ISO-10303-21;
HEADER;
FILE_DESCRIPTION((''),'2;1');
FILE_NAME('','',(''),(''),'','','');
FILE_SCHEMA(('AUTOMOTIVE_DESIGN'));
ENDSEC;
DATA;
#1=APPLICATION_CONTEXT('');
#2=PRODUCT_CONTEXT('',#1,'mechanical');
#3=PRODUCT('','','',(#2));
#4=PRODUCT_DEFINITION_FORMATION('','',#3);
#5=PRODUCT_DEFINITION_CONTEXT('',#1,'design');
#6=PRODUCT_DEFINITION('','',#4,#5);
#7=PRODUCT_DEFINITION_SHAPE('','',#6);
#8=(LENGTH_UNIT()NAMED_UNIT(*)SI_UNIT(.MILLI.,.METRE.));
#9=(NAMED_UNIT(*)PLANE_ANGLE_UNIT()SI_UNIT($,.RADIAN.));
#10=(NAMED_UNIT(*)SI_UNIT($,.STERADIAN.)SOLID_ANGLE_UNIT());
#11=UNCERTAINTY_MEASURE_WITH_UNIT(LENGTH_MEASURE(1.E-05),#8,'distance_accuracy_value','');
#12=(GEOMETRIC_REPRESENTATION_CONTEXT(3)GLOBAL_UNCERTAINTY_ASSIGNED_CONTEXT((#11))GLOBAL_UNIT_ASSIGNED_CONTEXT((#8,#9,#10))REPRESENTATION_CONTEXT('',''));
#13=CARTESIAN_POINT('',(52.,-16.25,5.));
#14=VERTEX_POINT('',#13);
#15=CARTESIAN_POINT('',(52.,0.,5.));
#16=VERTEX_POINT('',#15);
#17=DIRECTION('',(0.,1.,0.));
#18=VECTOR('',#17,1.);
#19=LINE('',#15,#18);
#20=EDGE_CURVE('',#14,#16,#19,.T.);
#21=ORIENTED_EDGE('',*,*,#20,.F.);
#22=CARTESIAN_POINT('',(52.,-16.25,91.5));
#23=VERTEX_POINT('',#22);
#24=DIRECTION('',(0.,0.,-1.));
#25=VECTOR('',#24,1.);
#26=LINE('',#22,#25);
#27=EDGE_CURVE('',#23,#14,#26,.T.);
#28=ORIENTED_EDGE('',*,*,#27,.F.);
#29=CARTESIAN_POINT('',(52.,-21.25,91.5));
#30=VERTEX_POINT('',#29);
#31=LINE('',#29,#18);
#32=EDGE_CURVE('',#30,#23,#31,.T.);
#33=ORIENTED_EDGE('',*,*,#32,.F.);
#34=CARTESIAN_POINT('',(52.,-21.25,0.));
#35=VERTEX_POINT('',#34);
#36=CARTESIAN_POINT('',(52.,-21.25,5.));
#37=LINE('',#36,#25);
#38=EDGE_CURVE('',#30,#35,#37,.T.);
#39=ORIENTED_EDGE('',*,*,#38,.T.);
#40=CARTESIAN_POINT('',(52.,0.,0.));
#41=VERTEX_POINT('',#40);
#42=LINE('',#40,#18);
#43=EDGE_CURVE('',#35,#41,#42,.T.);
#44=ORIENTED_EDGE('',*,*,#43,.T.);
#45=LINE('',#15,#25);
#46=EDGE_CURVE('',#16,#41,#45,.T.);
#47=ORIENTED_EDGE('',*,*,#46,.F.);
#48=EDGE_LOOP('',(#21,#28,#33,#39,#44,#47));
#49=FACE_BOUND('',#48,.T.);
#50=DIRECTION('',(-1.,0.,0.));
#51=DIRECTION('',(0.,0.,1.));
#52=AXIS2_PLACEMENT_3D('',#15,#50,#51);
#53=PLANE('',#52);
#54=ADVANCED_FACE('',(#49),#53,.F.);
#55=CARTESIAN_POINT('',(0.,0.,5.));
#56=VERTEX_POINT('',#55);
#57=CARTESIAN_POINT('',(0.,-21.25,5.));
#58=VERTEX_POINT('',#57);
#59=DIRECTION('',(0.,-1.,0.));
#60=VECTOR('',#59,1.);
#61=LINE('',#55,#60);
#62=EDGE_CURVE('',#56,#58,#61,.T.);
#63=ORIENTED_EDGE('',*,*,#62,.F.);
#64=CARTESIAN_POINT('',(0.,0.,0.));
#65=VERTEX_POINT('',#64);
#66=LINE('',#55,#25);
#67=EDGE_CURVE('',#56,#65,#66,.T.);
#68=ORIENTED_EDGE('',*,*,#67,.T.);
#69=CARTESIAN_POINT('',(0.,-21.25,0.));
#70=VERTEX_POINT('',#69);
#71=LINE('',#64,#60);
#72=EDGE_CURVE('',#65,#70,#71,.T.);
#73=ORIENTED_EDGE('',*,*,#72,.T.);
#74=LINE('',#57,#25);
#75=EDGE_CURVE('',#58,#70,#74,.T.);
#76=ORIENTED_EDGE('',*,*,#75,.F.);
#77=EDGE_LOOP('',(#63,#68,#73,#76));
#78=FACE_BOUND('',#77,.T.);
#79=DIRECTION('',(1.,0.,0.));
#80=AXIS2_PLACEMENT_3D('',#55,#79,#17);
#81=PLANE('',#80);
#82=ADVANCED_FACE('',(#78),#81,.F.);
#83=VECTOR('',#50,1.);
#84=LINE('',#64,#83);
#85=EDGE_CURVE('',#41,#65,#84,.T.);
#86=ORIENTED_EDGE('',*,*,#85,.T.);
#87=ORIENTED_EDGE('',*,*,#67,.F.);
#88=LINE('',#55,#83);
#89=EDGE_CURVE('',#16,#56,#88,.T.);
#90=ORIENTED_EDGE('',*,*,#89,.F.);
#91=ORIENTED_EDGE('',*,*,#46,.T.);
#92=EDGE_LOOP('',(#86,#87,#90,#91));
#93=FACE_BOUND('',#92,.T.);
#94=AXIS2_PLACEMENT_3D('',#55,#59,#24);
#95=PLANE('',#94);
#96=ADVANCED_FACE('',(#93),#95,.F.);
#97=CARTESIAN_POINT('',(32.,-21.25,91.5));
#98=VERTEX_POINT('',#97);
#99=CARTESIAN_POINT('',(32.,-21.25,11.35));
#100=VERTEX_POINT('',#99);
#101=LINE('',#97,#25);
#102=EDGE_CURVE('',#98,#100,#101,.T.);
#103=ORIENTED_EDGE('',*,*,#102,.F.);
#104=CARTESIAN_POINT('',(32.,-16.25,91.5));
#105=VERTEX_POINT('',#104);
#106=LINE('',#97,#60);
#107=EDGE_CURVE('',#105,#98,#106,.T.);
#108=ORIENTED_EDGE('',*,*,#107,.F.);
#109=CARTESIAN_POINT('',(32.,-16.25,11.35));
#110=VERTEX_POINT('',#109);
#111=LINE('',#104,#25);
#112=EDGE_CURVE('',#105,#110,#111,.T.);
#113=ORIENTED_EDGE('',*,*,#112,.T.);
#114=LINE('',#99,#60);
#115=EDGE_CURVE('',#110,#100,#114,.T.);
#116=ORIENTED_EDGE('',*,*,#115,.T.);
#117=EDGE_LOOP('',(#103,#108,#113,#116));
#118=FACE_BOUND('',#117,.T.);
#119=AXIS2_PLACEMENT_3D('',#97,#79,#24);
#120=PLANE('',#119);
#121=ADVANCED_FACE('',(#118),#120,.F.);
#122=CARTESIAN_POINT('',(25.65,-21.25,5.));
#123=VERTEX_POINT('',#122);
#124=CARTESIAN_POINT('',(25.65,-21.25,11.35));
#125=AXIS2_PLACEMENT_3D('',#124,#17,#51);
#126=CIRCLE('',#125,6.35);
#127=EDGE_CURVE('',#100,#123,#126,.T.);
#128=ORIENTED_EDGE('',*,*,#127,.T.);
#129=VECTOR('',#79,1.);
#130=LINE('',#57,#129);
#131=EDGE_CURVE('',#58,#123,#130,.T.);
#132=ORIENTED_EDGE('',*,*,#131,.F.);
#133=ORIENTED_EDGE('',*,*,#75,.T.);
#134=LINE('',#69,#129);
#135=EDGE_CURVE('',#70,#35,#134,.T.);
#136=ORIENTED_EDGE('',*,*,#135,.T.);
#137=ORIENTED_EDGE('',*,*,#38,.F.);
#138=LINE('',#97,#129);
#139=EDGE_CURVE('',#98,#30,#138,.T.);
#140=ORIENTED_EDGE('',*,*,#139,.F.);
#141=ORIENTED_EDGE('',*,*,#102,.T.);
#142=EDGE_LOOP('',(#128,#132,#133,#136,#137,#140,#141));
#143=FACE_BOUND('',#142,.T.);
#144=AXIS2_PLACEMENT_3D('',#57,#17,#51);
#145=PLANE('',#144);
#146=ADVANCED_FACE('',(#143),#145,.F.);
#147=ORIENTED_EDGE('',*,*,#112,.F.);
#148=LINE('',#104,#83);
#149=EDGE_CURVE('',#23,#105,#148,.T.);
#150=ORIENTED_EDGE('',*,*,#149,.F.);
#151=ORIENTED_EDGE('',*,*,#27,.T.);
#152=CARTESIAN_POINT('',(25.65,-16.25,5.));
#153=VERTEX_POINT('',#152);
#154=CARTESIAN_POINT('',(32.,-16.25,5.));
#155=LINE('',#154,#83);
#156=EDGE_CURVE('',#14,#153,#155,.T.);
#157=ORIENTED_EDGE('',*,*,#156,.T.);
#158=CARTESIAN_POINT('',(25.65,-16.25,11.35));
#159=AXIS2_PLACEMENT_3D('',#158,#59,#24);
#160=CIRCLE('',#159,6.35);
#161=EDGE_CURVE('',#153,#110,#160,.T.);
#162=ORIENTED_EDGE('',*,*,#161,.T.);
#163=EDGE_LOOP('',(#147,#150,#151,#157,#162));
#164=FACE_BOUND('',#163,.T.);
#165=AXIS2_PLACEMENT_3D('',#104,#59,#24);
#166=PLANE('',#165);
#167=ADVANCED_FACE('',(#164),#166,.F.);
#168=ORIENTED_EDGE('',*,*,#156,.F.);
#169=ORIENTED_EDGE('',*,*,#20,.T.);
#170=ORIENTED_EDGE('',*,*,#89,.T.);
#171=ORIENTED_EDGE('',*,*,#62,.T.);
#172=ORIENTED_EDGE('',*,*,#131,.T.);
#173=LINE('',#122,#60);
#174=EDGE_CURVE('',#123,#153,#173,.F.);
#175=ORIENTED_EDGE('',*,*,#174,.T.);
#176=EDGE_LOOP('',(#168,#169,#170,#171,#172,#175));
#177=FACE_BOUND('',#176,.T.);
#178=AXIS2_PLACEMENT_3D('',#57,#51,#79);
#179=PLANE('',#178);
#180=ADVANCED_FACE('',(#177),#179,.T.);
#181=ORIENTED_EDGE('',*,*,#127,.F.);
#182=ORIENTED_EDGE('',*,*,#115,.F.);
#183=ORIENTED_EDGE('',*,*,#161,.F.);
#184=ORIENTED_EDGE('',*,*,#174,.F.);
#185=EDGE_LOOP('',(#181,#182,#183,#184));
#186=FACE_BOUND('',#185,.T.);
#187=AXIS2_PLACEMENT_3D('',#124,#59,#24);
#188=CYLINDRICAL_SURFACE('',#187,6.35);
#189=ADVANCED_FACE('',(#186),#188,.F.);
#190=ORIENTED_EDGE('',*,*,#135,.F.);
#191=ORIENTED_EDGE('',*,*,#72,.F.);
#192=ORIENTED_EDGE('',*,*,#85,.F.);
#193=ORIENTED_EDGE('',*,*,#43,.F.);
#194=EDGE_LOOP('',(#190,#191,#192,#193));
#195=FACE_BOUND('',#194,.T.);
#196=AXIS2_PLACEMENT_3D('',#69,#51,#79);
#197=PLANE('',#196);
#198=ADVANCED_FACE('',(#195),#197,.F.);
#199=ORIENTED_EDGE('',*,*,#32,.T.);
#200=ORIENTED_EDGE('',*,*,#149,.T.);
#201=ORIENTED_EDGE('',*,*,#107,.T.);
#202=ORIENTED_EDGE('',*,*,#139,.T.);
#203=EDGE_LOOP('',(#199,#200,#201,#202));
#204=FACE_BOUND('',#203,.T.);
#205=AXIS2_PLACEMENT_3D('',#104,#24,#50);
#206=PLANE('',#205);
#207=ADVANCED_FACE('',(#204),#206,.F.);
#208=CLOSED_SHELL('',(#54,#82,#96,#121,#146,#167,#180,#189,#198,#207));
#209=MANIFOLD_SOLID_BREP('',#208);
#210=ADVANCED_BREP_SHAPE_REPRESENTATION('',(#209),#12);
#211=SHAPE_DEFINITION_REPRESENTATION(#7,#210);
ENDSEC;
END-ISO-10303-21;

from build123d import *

# Parameters (mm, degrees)
SKETCH1_W      = 52
SKETCH1_H      = 21.25
EXTRUDE1_DEPTH = 5
SKETCH2_W      = 20
SKETCH2_H      = 5
EXTRUDE2_DEPTH = 86.5
FILLET1_R      = 6.35


with BuildPart() as part:
    # Sketch1 → Extrude1 (new body)
    with BuildSketch(Plane.XY):
        with Locations((26, -10.625)):
            Rectangle(SKETCH1_W, SKETCH1_H)
    extrude(amount=EXTRUDE1_DEPTH)

    # Sketch2 → Extrude2 (add)
    with BuildSketch(Plane.XY.offset(5)):
        with Locations((42, -18.75)):
            Rectangle(SKETCH2_W, SKETCH2_H)
    extrude(amount=EXTRUDE2_DEPTH)

    # Fillet1
    fillet1_edges = [part.edges().sort_by_distance(p)[0] for p in [
        (32, -18.75, 5),
    ]]
    fillet(fillet1_edges, radius=FILLET1_R)


solid = part.part
